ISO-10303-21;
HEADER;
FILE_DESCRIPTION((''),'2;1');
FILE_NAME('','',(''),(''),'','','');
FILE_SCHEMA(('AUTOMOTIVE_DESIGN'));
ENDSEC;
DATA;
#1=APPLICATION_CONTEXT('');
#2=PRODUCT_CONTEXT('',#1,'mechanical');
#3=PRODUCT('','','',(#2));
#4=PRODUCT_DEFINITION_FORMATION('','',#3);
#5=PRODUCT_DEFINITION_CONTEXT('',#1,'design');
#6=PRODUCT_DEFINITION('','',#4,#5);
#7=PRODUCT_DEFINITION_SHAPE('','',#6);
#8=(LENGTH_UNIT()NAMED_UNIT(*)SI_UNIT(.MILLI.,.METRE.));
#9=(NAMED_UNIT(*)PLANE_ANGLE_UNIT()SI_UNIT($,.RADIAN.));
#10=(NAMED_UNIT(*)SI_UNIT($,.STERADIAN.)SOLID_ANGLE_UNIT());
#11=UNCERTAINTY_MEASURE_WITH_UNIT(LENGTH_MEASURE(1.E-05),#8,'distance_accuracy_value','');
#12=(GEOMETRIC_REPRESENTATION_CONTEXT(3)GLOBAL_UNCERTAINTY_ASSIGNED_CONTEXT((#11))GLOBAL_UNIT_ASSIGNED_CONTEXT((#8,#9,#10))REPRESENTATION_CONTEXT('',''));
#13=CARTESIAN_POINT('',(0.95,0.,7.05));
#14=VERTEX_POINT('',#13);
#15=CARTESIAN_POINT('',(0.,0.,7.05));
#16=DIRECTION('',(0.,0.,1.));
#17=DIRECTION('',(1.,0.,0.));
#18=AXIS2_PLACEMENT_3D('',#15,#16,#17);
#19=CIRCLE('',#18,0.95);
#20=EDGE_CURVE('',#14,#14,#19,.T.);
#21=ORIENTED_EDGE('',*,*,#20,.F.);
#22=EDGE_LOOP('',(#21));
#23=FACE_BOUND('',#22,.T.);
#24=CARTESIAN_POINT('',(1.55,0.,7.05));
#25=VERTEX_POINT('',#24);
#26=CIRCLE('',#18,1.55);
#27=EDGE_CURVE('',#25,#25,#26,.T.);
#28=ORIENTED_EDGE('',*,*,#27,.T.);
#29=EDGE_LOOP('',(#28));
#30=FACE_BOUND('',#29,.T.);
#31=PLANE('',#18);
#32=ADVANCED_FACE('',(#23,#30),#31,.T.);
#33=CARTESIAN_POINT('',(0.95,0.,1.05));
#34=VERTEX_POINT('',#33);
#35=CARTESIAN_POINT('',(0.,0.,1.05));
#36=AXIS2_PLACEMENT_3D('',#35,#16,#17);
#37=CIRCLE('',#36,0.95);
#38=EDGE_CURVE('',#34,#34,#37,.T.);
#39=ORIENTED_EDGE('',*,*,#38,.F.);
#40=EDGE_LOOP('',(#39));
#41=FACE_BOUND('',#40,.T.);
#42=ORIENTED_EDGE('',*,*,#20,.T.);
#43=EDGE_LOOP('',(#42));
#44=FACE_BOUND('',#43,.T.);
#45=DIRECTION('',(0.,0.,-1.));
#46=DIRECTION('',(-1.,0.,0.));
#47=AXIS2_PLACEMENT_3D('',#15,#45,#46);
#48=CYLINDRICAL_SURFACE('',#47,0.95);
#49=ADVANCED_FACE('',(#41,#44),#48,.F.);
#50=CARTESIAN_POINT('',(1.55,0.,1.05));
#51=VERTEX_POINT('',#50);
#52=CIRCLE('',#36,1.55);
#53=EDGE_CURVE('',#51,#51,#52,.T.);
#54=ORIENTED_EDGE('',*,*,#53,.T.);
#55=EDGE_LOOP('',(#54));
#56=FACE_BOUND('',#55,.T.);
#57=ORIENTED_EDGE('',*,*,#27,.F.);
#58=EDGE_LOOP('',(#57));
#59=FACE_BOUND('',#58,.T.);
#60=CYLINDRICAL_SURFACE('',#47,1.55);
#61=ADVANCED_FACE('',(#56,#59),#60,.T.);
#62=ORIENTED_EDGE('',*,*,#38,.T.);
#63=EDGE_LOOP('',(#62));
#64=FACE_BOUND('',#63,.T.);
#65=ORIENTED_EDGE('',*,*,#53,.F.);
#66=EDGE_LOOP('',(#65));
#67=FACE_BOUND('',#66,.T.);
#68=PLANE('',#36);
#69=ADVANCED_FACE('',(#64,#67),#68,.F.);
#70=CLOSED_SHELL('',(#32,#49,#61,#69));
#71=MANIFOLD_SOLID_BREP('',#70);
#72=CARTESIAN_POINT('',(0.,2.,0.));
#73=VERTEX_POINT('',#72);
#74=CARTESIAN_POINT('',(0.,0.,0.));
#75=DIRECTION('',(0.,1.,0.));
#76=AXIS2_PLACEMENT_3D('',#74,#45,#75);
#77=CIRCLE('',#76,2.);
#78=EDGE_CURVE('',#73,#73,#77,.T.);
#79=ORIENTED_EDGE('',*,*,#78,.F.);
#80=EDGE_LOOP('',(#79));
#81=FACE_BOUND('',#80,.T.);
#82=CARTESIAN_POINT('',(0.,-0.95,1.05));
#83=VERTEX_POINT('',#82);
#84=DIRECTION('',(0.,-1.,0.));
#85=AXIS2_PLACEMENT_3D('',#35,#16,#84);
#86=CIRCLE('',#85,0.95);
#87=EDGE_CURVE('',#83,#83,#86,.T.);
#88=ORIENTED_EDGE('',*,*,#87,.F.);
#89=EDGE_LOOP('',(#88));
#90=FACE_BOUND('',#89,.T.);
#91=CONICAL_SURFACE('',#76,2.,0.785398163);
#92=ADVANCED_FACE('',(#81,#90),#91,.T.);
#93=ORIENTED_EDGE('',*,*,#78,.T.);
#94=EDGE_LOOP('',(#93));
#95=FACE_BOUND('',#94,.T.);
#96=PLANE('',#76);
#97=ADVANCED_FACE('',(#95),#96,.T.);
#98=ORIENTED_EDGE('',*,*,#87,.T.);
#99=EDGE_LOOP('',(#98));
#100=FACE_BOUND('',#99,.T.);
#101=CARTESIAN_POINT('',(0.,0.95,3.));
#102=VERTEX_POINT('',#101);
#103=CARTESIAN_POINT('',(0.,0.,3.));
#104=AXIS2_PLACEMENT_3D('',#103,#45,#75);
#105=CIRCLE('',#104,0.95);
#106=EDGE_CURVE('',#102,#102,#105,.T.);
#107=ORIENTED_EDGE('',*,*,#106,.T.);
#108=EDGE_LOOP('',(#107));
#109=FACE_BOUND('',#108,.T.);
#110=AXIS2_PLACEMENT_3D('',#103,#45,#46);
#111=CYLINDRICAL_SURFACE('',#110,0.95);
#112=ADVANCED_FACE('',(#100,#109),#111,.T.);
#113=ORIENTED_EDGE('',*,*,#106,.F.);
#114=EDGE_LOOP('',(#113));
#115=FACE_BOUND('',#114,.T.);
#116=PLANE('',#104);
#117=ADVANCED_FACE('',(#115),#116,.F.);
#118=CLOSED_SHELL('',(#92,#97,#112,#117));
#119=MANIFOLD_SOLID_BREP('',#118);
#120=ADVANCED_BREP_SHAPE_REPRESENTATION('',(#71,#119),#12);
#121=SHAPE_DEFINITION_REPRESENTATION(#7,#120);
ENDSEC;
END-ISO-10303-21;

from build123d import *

# Parameters (mm, degrees)
BOSS_EXTRUDE1_START = -1.05
SKETCH5_R           = 0.95
BOSS_EXTRUDE1_DEPTH = 3
BOSS_EXTRUDE2_START = 0.7
SKETCH7_R           = 1.55
SKETCH7_R_2         = 0.95
BOSS_EXTRUDE2_DEPTH = 6


with BuildPart() as part:
    # Sketch3 → Revolve1 (revolve)
    with BuildSketch(Plane(origin=(0, 0, 0), x_dir=(0, 0, -1), z_dir=(1, 0, 0))):
        Polygon((0, 2), (-1.05, 0.95), (-1.05, 0), (0, 0), align=None)
    revolve(axis=Axis((0, 0, 0), (0, 0, 1)))

    # Sketch5 → Boss-Extrude1 (add)
    with BuildSketch(Plane.XY.offset(1.05).offset(BOSS_EXTRUDE1_START)):
        Circle(SKETCH5_R)
    extrude(amount=BOSS_EXTRUDE1_DEPTH)


with BuildPart() as body_2:
    # Sketch7 → Boss-Extrude2 (new body)
    with BuildSketch(Plane.XY.offset(0.35).offset(BOSS_EXTRUDE2_START)):
        Circle(SKETCH7_R)
        Circle(SKETCH7_R_2, mode=Mode.SUBTRACT)
    extrude(amount=BOSS_EXTRUDE2_DEPTH)


solid = Compound([part.part, body_2.part])
